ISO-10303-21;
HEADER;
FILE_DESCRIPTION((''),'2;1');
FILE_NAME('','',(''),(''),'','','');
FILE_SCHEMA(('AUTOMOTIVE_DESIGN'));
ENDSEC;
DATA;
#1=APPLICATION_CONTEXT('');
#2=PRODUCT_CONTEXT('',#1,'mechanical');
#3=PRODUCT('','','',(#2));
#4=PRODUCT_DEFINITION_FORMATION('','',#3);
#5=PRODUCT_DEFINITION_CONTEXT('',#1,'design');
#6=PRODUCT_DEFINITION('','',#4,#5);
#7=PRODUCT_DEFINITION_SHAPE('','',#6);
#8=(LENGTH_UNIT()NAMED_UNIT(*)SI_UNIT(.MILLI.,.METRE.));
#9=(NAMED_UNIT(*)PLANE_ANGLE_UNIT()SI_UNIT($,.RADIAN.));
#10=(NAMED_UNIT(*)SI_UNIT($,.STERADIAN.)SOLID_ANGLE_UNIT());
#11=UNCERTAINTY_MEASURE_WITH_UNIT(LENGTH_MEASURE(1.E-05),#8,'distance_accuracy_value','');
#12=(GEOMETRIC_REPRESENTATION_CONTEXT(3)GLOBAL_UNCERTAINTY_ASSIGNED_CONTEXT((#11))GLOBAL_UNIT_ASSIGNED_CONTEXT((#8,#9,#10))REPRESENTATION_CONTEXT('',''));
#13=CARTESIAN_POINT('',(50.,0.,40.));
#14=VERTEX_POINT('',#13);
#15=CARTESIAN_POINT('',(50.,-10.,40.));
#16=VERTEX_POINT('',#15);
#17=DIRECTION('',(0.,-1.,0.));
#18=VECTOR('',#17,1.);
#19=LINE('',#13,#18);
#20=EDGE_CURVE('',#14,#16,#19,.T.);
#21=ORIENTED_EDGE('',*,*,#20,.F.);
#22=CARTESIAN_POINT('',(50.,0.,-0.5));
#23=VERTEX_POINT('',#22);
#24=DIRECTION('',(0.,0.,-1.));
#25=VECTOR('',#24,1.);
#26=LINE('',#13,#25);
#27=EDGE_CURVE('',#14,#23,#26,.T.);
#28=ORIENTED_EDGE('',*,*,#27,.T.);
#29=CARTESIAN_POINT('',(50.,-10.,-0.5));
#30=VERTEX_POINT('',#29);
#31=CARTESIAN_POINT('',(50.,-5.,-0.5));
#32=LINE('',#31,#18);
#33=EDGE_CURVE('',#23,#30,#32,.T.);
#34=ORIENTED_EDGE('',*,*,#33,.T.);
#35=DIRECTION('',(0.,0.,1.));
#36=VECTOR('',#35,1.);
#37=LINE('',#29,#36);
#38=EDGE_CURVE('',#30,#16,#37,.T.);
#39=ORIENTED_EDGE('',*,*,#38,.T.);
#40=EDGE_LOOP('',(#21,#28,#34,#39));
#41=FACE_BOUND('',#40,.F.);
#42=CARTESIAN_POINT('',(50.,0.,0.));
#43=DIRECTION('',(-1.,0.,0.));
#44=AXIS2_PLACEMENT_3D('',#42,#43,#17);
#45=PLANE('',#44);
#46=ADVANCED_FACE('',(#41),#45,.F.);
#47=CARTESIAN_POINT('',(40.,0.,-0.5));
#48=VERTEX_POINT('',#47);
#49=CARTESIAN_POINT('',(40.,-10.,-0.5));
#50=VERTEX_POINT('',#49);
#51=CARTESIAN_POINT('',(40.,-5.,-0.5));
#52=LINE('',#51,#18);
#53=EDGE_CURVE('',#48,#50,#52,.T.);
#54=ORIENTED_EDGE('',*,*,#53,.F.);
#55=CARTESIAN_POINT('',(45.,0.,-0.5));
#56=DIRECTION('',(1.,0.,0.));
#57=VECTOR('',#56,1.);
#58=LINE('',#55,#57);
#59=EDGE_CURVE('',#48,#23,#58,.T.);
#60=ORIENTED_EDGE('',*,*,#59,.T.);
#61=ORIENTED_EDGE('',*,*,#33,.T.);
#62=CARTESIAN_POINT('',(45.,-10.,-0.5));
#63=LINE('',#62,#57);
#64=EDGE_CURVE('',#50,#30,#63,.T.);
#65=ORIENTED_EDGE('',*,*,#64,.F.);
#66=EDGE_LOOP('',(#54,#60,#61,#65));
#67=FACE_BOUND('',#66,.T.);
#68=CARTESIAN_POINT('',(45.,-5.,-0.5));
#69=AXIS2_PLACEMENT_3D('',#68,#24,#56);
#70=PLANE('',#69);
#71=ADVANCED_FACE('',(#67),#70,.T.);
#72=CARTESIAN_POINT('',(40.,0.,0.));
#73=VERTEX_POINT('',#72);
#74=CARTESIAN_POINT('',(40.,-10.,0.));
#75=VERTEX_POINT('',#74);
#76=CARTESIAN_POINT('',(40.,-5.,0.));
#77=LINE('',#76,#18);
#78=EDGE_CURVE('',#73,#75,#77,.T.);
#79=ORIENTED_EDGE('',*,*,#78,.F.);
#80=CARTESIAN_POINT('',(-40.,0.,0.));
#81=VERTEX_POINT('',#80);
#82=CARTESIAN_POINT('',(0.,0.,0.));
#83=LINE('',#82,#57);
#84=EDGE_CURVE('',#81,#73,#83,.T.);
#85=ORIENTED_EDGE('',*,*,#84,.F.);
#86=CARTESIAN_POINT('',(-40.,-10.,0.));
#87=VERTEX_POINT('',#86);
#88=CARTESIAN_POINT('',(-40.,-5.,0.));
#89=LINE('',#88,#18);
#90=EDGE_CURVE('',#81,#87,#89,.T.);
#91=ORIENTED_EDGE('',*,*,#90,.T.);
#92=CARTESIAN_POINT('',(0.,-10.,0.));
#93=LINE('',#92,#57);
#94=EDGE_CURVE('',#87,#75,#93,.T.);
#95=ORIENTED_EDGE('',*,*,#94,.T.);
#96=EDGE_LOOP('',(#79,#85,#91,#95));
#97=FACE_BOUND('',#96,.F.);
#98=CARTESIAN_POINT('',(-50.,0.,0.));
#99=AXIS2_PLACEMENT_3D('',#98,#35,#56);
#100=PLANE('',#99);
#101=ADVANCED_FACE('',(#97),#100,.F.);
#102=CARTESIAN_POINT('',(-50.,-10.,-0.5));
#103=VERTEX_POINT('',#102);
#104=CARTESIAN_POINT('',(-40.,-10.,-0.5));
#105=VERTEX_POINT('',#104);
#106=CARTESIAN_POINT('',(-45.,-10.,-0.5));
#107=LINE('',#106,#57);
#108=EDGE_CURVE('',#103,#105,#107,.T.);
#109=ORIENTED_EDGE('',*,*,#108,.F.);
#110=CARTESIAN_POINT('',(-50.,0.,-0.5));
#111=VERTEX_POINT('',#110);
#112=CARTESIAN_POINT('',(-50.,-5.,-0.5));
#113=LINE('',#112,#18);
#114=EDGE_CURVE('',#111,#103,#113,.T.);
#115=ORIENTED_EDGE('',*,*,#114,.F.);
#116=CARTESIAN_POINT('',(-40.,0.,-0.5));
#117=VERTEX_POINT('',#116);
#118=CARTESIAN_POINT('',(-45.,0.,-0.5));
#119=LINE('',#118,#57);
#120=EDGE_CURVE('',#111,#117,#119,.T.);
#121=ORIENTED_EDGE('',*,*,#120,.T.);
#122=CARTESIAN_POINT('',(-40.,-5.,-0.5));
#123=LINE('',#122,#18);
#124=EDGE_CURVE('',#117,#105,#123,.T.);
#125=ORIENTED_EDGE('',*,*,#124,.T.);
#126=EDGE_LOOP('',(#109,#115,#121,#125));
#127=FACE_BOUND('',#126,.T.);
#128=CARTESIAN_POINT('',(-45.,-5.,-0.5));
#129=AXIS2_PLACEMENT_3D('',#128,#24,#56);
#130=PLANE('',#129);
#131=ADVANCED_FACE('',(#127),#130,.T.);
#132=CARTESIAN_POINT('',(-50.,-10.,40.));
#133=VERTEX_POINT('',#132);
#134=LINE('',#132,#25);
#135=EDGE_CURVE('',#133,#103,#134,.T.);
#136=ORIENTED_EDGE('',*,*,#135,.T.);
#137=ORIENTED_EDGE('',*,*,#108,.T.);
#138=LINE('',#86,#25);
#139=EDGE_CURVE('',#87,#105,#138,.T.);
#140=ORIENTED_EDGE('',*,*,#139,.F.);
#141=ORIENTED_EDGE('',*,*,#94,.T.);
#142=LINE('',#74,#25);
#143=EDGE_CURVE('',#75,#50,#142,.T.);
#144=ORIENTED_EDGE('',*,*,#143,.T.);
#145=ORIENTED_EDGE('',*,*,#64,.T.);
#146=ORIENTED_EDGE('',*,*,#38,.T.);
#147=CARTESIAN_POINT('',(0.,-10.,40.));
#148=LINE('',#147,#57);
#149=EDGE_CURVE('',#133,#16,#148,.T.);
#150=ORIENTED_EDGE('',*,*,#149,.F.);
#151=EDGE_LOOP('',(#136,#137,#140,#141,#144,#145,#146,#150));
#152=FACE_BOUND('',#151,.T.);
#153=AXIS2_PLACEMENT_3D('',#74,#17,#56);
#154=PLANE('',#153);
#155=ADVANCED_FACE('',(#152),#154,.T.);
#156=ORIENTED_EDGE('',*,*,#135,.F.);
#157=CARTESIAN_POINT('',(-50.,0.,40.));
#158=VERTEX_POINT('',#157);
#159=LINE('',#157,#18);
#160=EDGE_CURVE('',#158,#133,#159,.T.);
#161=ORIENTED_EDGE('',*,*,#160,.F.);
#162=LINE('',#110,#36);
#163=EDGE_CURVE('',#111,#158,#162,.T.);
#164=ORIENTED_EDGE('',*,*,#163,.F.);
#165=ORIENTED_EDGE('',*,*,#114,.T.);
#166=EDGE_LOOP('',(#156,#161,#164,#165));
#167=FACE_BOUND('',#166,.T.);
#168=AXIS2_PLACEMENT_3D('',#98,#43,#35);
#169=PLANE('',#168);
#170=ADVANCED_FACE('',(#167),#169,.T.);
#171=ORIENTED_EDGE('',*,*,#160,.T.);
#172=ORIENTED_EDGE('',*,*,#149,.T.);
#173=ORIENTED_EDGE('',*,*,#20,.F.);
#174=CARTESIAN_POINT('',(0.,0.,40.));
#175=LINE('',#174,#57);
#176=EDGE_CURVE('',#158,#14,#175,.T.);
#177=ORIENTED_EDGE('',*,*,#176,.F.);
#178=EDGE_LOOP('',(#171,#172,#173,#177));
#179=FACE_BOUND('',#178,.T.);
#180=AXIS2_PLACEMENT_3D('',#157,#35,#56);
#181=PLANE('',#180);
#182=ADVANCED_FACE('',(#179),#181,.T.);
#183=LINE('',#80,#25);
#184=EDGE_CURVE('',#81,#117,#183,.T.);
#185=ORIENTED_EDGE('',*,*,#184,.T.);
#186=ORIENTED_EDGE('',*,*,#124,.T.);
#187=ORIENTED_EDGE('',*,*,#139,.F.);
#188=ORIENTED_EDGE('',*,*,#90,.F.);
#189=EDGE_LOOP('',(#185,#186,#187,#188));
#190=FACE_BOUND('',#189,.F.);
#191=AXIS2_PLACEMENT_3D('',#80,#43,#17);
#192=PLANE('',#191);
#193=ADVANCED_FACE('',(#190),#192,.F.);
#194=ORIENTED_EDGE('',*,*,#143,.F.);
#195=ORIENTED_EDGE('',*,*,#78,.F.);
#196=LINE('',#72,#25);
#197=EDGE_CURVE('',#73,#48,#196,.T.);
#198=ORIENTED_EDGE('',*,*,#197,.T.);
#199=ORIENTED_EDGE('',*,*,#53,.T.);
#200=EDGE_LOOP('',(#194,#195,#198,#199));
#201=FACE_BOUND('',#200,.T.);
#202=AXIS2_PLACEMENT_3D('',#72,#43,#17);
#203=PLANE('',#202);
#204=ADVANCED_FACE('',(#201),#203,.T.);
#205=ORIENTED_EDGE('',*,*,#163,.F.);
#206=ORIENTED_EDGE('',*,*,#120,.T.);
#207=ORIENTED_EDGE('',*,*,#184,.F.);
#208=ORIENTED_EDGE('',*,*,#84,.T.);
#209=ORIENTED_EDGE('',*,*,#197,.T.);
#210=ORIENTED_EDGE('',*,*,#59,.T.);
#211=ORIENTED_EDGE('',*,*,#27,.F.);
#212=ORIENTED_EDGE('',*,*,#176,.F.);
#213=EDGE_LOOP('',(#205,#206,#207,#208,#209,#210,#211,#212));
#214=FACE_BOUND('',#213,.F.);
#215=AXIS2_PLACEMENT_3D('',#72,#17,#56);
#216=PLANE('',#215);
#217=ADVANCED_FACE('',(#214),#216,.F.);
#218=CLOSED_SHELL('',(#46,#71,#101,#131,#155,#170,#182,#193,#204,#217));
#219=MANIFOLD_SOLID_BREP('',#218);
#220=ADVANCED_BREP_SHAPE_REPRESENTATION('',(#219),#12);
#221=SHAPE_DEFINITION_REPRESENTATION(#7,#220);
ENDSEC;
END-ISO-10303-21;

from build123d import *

# Parameters (mm, degrees)
F0_W     = 100
F0_H     = 40
F1_DEPTH = 10
F2_W     = 10
F2_H     = 10
F3_DEPTH = 0.5


with BuildPart() as f1:
    # F0 (on Front) → F1 (new body)
    with BuildSketch(Plane.XZ):
        with Locations((0, 20)):
            Rectangle(F0_W, F0_H)
    extrude(amount=F1_DEPTH)

    # F2 (on face) → F3 (join)
    with BuildSketch(Plane(origin=(0, 0, 0), x_dir=(1, 0, 0), z_dir=(0, 0, -1))):
        with Locations((45, 5)):
            Rectangle(F2_W, F2_H)
        with Locations((-45, 5)):
            Rectangle(F2_W, F2_H)
    extrude(amount=F3_DEPTH)


solid = f1.part
